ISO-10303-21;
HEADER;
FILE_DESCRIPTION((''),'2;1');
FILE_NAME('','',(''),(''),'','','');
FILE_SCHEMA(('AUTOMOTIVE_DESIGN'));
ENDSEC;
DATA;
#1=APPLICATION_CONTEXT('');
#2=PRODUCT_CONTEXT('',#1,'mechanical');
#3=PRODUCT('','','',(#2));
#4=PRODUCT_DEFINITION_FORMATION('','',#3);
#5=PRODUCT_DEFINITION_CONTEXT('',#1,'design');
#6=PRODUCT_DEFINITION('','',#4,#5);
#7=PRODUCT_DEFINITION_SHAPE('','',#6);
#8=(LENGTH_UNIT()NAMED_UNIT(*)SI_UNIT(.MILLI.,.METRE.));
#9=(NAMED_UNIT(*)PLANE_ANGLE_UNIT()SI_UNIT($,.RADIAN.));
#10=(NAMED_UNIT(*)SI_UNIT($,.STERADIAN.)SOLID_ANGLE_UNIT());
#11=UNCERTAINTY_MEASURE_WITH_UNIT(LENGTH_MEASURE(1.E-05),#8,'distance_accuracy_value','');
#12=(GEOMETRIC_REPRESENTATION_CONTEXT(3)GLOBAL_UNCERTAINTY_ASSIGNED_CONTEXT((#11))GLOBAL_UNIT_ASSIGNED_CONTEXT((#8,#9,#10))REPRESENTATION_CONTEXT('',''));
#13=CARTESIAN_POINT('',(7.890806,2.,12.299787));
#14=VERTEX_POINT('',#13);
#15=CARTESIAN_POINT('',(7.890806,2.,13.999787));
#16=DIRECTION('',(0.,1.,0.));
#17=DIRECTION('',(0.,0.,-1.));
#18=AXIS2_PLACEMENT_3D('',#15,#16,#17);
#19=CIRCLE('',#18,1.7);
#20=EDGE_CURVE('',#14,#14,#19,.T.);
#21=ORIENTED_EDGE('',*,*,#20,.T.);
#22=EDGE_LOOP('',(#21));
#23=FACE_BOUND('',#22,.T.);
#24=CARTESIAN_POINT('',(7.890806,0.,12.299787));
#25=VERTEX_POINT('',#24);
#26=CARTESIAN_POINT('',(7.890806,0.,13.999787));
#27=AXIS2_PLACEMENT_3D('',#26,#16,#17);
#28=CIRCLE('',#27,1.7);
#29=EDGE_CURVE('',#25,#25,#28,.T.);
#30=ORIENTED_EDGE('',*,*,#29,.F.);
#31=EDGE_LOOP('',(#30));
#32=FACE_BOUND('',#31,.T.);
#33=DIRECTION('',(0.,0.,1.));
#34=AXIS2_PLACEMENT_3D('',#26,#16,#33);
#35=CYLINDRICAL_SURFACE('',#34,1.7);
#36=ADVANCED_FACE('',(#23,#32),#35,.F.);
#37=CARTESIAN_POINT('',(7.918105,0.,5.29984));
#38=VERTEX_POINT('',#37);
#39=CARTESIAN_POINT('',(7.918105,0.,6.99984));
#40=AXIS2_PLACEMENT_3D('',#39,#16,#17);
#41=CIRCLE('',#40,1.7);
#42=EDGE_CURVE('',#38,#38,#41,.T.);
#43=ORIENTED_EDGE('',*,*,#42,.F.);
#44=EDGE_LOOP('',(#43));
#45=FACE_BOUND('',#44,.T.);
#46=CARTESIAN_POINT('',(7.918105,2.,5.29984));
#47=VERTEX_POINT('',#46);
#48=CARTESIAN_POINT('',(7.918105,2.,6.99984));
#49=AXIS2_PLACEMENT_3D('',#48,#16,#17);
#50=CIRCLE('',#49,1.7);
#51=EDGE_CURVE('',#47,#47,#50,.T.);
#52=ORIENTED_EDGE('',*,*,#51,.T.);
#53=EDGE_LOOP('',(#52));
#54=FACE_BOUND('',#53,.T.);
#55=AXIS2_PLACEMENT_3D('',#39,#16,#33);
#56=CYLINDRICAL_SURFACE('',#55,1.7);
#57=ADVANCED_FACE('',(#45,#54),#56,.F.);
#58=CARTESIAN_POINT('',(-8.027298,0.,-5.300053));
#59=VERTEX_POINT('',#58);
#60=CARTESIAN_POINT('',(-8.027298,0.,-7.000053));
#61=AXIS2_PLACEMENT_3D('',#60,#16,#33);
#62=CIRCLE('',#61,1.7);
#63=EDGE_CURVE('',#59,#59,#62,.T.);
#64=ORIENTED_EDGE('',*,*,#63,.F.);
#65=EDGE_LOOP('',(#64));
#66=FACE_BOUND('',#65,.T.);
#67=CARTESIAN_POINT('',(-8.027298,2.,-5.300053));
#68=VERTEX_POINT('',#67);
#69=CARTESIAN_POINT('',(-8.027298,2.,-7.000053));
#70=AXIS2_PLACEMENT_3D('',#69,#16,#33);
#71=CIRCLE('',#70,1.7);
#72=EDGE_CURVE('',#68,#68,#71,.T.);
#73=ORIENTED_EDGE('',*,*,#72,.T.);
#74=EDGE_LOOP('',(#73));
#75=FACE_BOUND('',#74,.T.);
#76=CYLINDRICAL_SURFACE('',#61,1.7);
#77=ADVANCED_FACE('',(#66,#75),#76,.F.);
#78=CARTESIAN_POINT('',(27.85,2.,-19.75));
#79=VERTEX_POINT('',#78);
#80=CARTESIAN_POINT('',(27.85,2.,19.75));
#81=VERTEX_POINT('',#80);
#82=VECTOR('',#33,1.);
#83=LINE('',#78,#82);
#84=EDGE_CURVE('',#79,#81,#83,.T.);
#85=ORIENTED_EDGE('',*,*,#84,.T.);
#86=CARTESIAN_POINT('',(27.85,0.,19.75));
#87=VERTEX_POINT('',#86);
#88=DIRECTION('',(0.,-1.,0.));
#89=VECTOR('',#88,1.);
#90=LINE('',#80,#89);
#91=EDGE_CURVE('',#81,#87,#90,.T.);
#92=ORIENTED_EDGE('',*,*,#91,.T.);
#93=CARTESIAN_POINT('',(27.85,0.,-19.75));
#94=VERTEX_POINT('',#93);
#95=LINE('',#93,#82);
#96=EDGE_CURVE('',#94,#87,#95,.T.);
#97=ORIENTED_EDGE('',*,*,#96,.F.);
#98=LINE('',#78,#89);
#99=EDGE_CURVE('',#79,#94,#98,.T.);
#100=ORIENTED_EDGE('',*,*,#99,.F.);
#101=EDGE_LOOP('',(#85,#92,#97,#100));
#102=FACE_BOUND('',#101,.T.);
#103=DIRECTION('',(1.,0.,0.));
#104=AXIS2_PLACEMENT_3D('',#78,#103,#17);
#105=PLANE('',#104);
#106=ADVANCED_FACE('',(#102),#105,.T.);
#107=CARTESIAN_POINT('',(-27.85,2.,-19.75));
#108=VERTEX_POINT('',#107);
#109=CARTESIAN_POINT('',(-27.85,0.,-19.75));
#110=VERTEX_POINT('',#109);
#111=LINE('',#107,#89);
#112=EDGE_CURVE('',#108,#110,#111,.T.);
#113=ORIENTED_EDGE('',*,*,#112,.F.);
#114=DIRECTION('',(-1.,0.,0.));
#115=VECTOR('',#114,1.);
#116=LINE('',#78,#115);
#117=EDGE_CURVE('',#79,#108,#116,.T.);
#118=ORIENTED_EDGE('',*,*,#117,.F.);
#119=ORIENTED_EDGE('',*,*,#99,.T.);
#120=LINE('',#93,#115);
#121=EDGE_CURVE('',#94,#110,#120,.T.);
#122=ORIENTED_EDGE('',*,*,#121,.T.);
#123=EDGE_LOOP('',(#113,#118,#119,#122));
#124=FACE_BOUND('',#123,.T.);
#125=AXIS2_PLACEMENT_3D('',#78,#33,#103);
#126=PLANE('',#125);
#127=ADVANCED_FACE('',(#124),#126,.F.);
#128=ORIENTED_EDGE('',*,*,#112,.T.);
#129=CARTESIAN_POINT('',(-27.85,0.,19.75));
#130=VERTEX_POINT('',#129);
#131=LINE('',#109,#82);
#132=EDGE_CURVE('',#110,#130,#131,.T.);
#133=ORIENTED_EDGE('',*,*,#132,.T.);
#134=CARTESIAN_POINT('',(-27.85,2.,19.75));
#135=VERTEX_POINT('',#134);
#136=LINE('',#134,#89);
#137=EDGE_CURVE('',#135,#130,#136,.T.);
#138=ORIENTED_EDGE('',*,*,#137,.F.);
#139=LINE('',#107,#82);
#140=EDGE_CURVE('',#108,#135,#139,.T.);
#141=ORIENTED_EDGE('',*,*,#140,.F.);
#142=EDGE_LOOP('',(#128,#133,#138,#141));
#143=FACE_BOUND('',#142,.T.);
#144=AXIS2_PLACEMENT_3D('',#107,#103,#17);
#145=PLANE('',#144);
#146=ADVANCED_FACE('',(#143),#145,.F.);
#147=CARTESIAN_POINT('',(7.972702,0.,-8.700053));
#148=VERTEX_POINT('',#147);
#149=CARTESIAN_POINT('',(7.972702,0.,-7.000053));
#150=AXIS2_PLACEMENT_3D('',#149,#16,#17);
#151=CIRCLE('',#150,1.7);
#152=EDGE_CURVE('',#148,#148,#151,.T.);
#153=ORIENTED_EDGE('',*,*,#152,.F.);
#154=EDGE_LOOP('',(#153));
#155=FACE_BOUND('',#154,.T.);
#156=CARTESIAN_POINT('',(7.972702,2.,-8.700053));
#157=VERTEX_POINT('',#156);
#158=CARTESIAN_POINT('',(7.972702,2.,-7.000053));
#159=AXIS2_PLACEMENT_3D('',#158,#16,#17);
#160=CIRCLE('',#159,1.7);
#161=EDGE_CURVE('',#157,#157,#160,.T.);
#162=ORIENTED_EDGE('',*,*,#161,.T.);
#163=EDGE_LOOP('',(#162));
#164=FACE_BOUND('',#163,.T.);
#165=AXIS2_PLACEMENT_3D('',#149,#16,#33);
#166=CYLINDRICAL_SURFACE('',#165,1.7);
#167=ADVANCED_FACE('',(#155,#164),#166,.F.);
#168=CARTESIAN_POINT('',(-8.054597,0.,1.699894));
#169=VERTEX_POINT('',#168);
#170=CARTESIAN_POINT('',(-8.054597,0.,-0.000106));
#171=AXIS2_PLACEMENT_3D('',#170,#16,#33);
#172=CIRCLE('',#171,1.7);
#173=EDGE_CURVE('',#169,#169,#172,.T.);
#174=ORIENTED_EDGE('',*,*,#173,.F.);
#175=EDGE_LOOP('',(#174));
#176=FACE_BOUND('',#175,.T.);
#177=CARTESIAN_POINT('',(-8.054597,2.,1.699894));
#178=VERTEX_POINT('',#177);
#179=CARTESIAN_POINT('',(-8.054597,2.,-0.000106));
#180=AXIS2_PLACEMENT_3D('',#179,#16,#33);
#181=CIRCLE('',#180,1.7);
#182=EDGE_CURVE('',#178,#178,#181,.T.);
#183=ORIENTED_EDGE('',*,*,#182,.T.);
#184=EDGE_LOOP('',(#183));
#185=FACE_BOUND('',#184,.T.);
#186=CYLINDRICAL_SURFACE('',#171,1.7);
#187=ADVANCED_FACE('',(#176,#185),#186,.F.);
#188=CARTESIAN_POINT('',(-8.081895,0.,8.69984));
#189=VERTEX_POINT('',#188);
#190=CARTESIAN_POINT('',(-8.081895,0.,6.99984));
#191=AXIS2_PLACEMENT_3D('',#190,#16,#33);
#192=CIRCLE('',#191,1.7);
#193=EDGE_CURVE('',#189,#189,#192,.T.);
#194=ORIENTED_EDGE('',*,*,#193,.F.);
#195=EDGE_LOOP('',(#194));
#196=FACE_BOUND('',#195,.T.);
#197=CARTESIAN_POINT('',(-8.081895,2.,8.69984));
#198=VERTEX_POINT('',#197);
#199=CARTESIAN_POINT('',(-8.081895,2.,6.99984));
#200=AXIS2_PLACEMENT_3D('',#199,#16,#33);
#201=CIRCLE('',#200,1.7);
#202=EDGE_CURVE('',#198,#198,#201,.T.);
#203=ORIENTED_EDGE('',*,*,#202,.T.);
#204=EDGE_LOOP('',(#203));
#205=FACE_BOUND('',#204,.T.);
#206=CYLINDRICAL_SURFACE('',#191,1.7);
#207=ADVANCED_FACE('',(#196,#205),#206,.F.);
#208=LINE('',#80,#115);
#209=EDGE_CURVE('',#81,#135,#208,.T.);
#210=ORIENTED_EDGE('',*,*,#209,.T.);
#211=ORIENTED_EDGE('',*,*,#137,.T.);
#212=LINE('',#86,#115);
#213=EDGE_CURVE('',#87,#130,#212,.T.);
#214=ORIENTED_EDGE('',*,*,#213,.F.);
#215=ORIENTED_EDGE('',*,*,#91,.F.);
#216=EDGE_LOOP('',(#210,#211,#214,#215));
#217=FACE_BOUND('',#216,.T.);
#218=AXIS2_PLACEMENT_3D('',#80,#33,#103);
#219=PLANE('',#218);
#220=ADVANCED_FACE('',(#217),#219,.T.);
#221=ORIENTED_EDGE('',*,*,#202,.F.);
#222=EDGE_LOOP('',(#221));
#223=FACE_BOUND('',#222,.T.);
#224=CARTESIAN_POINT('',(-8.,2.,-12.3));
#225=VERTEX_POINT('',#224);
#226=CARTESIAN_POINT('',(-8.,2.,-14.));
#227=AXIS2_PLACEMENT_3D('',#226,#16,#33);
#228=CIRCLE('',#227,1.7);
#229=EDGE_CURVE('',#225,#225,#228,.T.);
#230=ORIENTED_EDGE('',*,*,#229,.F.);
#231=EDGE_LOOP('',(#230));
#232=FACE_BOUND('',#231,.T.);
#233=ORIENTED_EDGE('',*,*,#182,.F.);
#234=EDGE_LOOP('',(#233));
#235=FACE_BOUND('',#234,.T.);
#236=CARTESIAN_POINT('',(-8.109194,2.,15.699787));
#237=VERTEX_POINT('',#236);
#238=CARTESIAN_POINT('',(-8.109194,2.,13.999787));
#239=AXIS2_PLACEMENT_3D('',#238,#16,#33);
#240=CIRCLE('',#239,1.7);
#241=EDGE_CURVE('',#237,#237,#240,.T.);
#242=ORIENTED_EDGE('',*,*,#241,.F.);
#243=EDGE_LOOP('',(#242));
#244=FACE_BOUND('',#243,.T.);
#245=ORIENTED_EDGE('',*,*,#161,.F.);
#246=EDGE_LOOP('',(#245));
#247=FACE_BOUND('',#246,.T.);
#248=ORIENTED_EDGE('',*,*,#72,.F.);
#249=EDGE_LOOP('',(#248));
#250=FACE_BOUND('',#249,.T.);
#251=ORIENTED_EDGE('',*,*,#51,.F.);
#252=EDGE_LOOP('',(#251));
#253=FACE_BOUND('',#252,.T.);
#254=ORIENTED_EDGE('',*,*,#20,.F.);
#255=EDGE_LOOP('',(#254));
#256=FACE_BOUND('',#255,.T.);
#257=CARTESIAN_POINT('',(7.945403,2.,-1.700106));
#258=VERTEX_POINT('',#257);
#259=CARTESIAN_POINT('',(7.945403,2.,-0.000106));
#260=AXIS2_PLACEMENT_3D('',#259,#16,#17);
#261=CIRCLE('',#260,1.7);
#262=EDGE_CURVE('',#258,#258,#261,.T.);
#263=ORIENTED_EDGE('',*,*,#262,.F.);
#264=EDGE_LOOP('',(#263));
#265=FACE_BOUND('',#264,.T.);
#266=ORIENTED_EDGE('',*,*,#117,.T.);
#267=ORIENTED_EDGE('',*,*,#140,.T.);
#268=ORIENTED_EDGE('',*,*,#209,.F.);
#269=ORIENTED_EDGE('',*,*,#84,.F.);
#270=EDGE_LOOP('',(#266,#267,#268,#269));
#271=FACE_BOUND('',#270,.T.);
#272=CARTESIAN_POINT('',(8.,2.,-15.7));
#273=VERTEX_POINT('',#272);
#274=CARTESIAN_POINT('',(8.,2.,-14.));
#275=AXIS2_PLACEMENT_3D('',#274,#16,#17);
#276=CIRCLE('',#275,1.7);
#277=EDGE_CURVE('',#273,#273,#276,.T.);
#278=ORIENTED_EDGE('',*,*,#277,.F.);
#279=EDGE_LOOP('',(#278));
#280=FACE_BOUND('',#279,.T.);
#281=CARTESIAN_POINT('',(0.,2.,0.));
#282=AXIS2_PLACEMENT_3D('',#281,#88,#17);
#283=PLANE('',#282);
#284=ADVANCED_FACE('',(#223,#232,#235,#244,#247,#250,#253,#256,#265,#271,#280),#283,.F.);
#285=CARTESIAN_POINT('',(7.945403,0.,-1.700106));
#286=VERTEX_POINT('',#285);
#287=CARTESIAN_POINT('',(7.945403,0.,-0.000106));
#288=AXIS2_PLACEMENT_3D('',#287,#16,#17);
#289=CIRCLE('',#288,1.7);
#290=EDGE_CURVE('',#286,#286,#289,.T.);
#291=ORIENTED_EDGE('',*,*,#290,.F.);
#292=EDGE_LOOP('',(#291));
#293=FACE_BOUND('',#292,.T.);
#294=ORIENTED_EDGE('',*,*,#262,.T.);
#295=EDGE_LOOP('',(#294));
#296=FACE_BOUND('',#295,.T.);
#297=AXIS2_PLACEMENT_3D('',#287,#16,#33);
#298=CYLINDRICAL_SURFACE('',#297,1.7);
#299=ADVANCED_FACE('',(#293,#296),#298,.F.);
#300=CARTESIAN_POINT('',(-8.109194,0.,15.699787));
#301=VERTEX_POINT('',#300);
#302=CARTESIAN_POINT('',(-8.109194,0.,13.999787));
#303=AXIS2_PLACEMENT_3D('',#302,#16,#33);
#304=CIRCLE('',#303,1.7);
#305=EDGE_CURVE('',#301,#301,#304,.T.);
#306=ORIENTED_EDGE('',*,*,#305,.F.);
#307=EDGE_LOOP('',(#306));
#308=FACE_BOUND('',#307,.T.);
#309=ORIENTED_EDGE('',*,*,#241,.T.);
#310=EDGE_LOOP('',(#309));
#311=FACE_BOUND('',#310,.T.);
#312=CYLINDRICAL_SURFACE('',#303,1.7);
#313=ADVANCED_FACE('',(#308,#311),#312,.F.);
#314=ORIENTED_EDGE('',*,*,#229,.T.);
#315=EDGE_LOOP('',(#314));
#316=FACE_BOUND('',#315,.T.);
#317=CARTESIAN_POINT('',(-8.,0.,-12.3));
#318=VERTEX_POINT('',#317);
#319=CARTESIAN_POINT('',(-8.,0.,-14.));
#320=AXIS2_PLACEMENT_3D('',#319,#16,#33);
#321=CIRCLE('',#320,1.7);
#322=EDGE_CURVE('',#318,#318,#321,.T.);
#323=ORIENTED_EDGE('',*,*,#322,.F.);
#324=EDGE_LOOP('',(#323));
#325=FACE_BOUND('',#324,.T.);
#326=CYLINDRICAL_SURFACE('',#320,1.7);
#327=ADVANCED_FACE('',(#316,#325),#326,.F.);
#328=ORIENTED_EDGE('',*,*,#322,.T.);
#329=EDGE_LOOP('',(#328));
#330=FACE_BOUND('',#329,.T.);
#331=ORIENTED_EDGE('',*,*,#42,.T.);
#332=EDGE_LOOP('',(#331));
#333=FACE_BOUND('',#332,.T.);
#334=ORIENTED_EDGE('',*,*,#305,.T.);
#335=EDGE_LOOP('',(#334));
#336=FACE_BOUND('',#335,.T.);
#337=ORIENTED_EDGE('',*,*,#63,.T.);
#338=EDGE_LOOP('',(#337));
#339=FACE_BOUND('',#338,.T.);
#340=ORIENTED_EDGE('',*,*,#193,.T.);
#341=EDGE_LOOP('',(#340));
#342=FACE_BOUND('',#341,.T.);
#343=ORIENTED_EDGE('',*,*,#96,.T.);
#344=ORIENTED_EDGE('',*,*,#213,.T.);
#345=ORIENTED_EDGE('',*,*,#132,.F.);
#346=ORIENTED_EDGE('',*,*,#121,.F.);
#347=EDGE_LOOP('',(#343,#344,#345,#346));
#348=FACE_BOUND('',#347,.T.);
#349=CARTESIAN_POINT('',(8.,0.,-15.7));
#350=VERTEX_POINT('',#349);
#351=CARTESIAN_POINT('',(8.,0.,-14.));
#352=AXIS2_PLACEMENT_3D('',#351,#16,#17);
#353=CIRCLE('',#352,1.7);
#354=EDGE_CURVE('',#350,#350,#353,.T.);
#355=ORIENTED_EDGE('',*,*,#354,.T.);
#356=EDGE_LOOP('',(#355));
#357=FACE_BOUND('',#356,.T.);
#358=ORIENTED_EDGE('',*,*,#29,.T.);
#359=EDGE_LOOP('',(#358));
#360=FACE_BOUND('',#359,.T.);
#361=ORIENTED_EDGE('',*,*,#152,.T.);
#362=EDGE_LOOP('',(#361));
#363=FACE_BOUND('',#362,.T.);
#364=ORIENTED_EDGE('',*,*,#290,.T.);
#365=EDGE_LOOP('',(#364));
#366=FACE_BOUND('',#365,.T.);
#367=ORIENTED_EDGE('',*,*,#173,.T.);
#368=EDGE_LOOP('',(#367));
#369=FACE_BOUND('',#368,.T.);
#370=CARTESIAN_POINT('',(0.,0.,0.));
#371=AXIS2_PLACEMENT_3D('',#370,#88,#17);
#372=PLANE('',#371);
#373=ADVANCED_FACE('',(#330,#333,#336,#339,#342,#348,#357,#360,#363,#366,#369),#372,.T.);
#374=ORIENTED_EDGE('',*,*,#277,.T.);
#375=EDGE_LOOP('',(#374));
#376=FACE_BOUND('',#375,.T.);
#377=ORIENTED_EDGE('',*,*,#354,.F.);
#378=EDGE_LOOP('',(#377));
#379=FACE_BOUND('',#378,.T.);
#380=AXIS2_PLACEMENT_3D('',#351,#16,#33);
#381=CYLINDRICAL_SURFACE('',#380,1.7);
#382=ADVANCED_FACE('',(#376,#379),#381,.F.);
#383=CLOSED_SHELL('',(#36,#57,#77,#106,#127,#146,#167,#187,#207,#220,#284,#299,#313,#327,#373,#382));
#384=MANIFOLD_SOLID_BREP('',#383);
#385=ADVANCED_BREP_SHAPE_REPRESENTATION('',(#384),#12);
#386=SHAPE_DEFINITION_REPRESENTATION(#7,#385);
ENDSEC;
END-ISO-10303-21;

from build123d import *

# Parameters (mm, degrees)
SKETCH1_W           = 55.7
SKETCH1_H           = 39.5
BOSS_EXTRUDE1_DEPTH = 2
SKETCH2_R           = 1.7
CUT_EXTRUDE2_DEPTH  = 35.200657888


with BuildPart() as part:
    # Sketch1 → Boss-Extrude1 (new body)
    with BuildSketch(Plane(origin=(0, 0, 0), x_dir=(1, 0, 0), z_dir=(0, 1, 0))):
        Rectangle(SKETCH1_W, SKETCH1_H)
    extrude(amount=BOSS_EXTRUDE1_DEPTH)

    # Sketch2 → Cut-Extrude2 (cut, through all)
    with BuildSketch(Plane(origin=(0, 2, 0), x_dir=(1, 0, 0), z_dir=(0, 1, 0))):
        with Locations(Location((-8, 14, 0), (0, 0, 270))):
            Circle(SKETCH2_R)
        with Locations(Location((8, 14, 0), (0, 0, 90))):
            Circle(SKETCH2_R)
        with Locations(Location((7.972701567, 7.000053229, 0), (0, 0, 90))):
            Circle(SKETCH2_R)
        with Locations(Location((-8.027298433, 7.000053229, 0), (0, 0, 270))):
            Circle(SKETCH2_R)
        with Locations(Location((7.945403135, 0.000106458, 0), (0, 0, 90))):
            Circle(SKETCH2_R)
        with Locations(Location((-8.054596865, 0.000106458, 0), (0, 0, 270))):
            Circle(SKETCH2_R)
        with Locations(Location((7.918104702, -6.999840313, 0), (0, 0, 90))):
            Circle(SKETCH2_R)
        with Locations(Location((-8.081895298, -6.999840313, 0), (0, 0, 270))):
            Circle(SKETCH2_R)
        with Locations(Location((7.89080627, -13.999787084, 0), (0, 0, 90))):
            Circle(SKETCH2_R)
        with Locations(Location((-8.10919373, -13.999787084, 0), (0, 0, 270))):
            Circle(SKETCH2_R)
    extrude(amount=-CUT_EXTRUDE2_DEPTH, mode=Mode.SUBTRACT)


solid = part.part
